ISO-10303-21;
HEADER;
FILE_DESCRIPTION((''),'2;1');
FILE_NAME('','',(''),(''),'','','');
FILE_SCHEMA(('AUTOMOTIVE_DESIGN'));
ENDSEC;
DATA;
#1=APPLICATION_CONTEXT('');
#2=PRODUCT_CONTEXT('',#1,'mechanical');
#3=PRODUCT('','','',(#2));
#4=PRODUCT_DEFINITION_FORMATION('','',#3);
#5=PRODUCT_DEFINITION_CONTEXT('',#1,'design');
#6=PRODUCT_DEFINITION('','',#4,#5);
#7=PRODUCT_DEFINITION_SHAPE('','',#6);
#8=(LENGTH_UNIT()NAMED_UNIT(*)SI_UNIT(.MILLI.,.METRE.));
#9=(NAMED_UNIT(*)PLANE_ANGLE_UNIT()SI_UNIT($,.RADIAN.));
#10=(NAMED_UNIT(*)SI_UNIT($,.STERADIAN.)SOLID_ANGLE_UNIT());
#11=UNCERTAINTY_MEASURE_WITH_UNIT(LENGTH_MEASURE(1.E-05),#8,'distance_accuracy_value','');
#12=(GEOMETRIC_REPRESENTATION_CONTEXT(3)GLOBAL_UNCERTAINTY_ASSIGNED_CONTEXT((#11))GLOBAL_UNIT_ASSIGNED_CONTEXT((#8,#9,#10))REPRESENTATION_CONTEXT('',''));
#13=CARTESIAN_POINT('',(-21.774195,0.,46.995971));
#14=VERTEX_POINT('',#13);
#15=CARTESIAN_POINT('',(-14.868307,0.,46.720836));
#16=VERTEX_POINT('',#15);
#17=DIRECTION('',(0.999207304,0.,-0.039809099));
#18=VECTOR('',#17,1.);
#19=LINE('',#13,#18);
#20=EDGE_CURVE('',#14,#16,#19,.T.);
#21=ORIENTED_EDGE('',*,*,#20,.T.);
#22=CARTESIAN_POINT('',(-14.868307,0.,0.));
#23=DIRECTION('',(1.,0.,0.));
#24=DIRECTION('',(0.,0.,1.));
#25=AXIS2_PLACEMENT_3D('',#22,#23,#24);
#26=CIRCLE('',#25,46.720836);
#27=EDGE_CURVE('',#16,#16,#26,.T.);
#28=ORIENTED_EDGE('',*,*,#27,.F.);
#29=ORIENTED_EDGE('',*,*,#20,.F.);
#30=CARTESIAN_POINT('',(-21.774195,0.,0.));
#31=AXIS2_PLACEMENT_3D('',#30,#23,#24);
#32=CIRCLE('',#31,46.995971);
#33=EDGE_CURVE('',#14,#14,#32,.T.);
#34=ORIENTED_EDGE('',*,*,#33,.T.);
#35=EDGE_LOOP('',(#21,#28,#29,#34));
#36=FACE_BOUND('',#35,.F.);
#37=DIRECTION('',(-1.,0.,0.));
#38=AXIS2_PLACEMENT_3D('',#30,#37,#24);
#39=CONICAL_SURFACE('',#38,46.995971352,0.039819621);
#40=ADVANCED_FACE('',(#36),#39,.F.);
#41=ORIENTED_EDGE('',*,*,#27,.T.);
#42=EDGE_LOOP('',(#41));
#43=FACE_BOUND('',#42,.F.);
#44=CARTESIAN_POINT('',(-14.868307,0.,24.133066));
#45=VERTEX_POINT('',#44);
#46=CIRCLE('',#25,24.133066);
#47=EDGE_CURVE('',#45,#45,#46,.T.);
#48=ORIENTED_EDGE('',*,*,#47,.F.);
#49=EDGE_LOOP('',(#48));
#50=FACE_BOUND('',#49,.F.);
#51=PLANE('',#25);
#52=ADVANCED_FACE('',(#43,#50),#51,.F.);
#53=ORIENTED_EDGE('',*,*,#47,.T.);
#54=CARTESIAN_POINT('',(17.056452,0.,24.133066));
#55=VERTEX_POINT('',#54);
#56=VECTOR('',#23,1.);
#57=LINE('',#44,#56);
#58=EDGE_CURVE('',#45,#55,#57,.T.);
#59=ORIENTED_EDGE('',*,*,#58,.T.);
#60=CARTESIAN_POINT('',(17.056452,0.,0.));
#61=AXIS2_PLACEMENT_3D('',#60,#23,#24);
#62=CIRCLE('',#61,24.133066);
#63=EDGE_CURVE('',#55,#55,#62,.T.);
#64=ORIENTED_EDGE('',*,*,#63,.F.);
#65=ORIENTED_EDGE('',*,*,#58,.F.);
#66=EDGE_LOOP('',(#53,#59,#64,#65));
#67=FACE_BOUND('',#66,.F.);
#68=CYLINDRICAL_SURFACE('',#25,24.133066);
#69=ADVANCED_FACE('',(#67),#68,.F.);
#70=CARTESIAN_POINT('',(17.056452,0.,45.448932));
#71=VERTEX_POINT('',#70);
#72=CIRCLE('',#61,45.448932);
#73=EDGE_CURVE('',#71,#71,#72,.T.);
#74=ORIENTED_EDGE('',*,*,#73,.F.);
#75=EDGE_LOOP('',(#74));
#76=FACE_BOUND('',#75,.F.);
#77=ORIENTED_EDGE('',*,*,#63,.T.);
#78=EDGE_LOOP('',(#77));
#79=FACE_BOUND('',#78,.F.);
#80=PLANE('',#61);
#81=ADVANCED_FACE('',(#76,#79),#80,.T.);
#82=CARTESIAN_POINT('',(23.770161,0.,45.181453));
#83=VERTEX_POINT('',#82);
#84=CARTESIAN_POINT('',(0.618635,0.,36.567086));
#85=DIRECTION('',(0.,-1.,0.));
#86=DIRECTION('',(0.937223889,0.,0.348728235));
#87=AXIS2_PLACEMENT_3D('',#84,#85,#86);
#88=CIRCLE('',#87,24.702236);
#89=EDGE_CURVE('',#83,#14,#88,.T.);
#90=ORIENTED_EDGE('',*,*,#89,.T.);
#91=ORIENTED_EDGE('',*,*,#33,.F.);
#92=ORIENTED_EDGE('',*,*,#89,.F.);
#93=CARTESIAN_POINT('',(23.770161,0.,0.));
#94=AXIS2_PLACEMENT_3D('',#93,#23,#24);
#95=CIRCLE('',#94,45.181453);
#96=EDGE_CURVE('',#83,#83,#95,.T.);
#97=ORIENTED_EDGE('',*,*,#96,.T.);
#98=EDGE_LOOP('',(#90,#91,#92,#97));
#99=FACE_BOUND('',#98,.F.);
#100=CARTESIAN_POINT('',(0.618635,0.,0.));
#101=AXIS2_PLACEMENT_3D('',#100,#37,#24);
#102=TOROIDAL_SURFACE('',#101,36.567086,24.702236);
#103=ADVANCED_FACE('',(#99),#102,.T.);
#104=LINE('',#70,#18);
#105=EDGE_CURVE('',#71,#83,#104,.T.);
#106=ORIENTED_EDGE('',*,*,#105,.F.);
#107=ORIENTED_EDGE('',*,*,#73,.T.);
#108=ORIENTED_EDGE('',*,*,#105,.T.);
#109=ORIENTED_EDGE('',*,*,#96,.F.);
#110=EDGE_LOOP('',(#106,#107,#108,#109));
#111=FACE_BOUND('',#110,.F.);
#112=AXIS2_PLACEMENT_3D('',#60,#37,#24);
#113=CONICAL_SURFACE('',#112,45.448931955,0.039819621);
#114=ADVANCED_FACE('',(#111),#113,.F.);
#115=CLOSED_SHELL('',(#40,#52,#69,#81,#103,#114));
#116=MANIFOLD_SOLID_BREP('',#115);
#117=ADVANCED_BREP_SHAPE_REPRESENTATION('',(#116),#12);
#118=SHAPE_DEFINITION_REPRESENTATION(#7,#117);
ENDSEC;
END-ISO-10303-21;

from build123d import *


with BuildPart() as f1:
    # F0 (on Front) → F1 (revolve)
    with BuildSketch(Plane.XZ):
        with BuildLine():
            Line((17.0564521104, 45.4489319553), (23.7701609731, 45.181453228))
            ThreePointArc((23.7701609731, 45.181453228), (1.6020086146, 61.2497409986), (-21.7741951346, 46.9959713519))
            Line((-21.7741951346, 46.9959713519), (-14.8683069515, 46.7208360697))
            Line((-14.8683069515, 46.7208360697), (17.0564521104, 46.7208360697))
            Line((17.0564521104, 46.7208360697), (17.0564521104, 45.4489319553))
        make_face()
        Polygon((17.0564521104, 24.1330657154), (17.0564521104, 45.4489319553), (-14.8683069515, 46.7208360697), (-14.8683069515, 24.1330657154), align=None)
        Polygon((-14.8683069515, 46.7208360697), (17.0564521104, 45.4489319553), (17.0564521104, 46.7208360697), align=None)
    revolve(axis=Axis((-0.3629028797, 0, 0), (1, 0, 0)))


solid = f1.part
